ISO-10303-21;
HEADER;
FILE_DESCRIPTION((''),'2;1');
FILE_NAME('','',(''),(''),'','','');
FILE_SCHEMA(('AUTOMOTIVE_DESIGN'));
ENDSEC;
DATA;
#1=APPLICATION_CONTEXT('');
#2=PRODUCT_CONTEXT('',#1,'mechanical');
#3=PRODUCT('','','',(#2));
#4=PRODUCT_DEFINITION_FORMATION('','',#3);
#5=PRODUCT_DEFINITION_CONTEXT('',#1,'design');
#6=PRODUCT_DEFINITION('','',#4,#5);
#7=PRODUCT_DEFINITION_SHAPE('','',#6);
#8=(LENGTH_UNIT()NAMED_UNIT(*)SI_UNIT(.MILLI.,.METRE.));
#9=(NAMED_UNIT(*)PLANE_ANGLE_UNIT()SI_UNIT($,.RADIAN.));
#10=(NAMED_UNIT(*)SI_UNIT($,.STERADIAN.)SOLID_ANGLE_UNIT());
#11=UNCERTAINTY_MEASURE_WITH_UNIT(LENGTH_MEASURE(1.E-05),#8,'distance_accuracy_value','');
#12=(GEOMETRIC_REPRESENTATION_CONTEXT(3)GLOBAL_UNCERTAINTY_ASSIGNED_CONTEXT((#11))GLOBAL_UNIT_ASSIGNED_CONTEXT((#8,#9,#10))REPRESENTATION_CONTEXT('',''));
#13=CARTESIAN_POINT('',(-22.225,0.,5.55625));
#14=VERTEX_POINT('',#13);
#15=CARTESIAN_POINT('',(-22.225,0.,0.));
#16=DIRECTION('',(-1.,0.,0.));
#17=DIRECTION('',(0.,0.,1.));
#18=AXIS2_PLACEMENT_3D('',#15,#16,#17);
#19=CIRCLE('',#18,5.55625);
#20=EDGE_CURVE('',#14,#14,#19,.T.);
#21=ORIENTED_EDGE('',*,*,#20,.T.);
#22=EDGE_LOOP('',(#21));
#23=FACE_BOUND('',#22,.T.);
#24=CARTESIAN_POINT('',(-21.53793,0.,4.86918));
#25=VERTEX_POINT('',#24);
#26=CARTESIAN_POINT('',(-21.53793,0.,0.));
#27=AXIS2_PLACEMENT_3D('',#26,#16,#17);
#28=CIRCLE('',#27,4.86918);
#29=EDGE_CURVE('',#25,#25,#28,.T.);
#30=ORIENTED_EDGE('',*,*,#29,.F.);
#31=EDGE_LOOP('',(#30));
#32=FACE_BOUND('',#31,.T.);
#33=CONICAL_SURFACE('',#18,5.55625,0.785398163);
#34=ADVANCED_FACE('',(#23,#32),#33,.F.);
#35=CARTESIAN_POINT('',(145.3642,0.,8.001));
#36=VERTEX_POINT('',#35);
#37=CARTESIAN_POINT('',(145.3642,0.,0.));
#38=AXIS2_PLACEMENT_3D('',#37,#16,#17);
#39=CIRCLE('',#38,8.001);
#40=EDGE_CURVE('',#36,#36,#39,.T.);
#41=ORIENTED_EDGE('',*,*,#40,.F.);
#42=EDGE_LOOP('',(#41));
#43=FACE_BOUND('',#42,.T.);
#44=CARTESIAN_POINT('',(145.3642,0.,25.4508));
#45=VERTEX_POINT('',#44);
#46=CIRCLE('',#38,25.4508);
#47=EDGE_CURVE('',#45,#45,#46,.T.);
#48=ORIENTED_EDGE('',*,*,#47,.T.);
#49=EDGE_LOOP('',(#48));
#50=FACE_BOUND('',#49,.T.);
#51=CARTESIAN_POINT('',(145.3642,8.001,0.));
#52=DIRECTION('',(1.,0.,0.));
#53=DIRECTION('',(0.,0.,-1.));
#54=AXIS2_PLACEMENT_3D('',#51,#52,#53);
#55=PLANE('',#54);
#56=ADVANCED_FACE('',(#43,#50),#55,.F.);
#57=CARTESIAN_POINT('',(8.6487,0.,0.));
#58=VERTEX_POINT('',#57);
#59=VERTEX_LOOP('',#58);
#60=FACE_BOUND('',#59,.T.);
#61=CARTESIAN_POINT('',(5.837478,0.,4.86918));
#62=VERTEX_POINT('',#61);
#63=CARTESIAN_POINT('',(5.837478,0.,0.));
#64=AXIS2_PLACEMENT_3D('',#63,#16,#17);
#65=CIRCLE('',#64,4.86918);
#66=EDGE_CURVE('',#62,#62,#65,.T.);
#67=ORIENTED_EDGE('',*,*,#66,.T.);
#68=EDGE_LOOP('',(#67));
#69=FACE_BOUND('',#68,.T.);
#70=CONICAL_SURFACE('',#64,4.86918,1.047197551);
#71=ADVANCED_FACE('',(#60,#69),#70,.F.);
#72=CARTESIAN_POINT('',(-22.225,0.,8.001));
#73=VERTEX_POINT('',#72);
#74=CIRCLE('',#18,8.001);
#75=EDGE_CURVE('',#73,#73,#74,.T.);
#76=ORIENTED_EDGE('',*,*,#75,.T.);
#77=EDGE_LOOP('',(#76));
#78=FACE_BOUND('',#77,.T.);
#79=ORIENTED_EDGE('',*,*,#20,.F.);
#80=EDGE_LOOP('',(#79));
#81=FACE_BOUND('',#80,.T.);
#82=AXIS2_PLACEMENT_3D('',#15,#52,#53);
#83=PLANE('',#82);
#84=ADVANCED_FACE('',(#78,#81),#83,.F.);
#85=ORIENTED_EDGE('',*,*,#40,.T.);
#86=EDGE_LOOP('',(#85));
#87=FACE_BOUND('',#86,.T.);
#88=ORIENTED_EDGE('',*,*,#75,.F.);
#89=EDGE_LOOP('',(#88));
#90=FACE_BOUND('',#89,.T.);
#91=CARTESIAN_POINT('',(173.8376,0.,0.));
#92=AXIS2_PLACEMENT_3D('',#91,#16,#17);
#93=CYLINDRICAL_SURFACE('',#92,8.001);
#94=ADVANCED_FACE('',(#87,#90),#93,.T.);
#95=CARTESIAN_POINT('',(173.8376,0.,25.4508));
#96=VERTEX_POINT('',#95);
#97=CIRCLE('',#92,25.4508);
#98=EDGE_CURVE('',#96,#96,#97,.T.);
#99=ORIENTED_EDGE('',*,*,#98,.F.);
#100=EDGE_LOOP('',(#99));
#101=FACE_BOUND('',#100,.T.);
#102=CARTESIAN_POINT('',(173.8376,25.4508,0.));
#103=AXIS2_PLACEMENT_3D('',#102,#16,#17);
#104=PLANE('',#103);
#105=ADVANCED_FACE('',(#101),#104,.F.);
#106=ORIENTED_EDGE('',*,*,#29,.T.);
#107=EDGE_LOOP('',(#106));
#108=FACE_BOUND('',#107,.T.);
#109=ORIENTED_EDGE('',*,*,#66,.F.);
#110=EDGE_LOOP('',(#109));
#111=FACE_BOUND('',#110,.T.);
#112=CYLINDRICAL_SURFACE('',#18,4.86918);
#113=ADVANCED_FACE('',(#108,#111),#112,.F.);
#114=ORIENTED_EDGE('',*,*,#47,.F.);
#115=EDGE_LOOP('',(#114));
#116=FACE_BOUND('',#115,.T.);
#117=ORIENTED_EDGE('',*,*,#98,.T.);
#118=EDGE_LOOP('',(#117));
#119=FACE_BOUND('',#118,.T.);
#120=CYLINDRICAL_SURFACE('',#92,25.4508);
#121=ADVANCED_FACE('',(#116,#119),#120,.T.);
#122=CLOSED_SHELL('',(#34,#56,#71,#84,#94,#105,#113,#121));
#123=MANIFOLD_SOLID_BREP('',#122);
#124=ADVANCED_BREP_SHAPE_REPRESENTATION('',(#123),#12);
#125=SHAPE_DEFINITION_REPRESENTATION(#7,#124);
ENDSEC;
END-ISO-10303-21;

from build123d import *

# Parameters (mm, degrees)
HOLE1_D           = 9.73836
HOLE1_DEPTH       = 28.062477616
HOLE1_CSINK_D     = 11.1125
HOLE1_CSINK_ANGLE = 90
HOLE1_TIP         = 2.811222384


with BuildPart() as part:
    # Sketch1 → Revolve1 (revolve)
    with BuildSketch(Plane.XY):
        Polygon((-22.225, 0), (-22.225, 8.001), (145.3642, 8.001), (145.3642, 25.4508), (173.8376, 25.4508), (173.8376, 0), align=None)
    revolve(axis=Axis((173.8376, 0, 0), (-1, 0, 0)))

    # Hole1
    with Locations(Plane.ZY.offset(22.225)):
        with Locations((0, 0)):
            CounterSinkHole(HOLE1_D / 2, HOLE1_CSINK_D / 2, depth=HOLE1_DEPTH, counter_sink_angle=HOLE1_CSINK_ANGLE)
            with Locations((0, 0, -(HOLE1_DEPTH + HOLE1_TIP / 2))):  # 120° drill point
                Cone(0, HOLE1_D / 2, HOLE1_TIP, mode=Mode.SUBTRACT)


solid = part.part
